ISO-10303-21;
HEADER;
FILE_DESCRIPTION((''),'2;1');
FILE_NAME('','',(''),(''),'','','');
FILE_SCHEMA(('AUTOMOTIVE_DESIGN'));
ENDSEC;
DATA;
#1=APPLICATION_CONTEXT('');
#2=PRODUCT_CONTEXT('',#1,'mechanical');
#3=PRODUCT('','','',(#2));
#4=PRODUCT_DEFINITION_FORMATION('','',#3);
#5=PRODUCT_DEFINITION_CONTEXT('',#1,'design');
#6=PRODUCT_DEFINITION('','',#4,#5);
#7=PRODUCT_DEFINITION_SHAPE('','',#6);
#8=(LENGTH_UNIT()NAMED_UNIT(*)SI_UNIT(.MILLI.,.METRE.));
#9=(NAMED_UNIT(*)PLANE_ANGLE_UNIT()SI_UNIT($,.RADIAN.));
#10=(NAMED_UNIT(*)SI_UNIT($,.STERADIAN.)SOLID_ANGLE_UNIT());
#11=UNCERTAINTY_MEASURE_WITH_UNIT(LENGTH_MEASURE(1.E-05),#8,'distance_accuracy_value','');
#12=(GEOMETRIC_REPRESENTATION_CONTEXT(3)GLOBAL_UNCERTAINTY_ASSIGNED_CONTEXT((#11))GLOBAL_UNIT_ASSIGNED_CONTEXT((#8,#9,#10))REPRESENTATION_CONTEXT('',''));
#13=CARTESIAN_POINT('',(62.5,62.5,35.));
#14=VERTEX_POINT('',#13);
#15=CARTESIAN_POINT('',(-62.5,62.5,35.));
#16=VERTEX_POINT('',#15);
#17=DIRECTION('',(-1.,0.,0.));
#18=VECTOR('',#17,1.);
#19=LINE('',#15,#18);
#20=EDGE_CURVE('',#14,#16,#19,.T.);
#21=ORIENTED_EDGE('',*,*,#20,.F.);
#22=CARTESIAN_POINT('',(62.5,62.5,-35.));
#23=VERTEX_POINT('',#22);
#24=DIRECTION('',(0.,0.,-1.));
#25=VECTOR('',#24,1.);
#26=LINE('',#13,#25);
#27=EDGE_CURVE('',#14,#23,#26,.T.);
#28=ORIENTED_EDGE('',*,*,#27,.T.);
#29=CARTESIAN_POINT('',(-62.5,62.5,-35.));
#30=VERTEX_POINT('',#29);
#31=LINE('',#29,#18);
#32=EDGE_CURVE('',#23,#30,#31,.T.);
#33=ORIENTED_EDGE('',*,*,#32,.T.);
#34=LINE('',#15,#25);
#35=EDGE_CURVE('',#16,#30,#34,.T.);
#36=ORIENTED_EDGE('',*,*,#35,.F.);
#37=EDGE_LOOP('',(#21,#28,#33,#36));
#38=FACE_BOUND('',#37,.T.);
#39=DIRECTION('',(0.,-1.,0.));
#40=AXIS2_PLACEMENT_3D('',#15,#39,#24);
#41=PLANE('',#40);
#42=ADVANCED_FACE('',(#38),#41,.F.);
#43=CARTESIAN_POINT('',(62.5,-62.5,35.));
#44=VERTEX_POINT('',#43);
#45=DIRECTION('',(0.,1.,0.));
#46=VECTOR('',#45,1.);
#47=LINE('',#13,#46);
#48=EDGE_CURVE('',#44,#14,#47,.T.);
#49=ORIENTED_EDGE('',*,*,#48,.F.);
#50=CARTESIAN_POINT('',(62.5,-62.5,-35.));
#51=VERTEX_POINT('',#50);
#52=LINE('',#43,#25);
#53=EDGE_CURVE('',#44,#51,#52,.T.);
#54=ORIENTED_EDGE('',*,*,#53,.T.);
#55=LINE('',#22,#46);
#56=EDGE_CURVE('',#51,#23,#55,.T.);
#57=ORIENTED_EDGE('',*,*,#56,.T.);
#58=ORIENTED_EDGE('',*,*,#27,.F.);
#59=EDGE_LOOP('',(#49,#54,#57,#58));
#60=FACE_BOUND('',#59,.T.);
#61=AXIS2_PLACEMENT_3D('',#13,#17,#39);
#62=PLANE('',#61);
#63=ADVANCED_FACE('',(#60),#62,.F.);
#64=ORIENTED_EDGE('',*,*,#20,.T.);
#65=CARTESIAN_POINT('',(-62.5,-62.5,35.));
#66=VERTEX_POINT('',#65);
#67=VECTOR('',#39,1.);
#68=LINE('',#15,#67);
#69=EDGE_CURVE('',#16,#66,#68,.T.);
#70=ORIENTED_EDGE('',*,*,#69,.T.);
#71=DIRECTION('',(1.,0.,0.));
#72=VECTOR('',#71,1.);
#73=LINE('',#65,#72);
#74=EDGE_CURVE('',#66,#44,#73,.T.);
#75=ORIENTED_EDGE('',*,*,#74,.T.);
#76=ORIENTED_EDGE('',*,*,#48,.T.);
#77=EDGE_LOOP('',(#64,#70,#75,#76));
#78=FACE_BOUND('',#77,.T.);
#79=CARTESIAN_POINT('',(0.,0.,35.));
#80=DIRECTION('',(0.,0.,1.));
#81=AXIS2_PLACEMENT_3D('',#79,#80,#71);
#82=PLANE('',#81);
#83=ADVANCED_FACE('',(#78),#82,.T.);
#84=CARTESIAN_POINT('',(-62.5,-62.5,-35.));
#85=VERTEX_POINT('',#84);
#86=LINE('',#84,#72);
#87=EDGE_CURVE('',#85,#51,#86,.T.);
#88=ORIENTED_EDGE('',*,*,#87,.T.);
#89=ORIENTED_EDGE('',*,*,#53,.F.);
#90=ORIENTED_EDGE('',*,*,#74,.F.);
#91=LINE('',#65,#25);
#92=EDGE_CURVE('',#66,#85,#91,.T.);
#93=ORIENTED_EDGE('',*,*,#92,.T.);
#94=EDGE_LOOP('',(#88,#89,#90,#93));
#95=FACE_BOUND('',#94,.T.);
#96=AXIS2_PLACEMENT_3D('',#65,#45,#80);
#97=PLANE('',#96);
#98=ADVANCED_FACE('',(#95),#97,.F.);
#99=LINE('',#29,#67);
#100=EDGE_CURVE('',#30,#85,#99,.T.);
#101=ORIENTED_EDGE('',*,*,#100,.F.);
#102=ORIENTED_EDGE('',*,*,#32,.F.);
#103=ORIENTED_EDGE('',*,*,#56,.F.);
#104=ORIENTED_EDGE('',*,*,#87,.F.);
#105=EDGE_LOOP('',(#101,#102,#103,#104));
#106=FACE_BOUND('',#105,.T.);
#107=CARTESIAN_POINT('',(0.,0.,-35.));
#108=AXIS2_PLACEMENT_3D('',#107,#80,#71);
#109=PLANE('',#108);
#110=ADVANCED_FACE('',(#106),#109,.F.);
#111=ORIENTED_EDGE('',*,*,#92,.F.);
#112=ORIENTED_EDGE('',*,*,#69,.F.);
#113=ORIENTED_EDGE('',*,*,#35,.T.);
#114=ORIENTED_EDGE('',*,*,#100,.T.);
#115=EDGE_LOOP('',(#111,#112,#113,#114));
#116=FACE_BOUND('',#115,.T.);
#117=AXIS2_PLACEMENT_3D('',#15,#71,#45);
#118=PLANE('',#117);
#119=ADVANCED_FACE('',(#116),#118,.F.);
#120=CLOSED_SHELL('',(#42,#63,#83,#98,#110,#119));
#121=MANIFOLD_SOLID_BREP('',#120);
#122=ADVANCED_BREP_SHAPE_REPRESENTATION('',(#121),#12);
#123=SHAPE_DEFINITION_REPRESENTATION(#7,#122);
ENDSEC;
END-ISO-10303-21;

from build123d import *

# Parameters (mm, degrees)
SKETCH1_W           = 125
SKETCH1_H           = 125
BOSS_EXTRUDE1_DEPTH = 35


with BuildPart() as part:
    # Sketch1 → Boss-Extrude1 (new, symmetric)
    with BuildSketch(Plane.XY):
        Rectangle(SKETCH1_W, SKETCH1_H)
    extrude(amount=BOSS_EXTRUDE1_DEPTH, both=True)


solid = part.part
